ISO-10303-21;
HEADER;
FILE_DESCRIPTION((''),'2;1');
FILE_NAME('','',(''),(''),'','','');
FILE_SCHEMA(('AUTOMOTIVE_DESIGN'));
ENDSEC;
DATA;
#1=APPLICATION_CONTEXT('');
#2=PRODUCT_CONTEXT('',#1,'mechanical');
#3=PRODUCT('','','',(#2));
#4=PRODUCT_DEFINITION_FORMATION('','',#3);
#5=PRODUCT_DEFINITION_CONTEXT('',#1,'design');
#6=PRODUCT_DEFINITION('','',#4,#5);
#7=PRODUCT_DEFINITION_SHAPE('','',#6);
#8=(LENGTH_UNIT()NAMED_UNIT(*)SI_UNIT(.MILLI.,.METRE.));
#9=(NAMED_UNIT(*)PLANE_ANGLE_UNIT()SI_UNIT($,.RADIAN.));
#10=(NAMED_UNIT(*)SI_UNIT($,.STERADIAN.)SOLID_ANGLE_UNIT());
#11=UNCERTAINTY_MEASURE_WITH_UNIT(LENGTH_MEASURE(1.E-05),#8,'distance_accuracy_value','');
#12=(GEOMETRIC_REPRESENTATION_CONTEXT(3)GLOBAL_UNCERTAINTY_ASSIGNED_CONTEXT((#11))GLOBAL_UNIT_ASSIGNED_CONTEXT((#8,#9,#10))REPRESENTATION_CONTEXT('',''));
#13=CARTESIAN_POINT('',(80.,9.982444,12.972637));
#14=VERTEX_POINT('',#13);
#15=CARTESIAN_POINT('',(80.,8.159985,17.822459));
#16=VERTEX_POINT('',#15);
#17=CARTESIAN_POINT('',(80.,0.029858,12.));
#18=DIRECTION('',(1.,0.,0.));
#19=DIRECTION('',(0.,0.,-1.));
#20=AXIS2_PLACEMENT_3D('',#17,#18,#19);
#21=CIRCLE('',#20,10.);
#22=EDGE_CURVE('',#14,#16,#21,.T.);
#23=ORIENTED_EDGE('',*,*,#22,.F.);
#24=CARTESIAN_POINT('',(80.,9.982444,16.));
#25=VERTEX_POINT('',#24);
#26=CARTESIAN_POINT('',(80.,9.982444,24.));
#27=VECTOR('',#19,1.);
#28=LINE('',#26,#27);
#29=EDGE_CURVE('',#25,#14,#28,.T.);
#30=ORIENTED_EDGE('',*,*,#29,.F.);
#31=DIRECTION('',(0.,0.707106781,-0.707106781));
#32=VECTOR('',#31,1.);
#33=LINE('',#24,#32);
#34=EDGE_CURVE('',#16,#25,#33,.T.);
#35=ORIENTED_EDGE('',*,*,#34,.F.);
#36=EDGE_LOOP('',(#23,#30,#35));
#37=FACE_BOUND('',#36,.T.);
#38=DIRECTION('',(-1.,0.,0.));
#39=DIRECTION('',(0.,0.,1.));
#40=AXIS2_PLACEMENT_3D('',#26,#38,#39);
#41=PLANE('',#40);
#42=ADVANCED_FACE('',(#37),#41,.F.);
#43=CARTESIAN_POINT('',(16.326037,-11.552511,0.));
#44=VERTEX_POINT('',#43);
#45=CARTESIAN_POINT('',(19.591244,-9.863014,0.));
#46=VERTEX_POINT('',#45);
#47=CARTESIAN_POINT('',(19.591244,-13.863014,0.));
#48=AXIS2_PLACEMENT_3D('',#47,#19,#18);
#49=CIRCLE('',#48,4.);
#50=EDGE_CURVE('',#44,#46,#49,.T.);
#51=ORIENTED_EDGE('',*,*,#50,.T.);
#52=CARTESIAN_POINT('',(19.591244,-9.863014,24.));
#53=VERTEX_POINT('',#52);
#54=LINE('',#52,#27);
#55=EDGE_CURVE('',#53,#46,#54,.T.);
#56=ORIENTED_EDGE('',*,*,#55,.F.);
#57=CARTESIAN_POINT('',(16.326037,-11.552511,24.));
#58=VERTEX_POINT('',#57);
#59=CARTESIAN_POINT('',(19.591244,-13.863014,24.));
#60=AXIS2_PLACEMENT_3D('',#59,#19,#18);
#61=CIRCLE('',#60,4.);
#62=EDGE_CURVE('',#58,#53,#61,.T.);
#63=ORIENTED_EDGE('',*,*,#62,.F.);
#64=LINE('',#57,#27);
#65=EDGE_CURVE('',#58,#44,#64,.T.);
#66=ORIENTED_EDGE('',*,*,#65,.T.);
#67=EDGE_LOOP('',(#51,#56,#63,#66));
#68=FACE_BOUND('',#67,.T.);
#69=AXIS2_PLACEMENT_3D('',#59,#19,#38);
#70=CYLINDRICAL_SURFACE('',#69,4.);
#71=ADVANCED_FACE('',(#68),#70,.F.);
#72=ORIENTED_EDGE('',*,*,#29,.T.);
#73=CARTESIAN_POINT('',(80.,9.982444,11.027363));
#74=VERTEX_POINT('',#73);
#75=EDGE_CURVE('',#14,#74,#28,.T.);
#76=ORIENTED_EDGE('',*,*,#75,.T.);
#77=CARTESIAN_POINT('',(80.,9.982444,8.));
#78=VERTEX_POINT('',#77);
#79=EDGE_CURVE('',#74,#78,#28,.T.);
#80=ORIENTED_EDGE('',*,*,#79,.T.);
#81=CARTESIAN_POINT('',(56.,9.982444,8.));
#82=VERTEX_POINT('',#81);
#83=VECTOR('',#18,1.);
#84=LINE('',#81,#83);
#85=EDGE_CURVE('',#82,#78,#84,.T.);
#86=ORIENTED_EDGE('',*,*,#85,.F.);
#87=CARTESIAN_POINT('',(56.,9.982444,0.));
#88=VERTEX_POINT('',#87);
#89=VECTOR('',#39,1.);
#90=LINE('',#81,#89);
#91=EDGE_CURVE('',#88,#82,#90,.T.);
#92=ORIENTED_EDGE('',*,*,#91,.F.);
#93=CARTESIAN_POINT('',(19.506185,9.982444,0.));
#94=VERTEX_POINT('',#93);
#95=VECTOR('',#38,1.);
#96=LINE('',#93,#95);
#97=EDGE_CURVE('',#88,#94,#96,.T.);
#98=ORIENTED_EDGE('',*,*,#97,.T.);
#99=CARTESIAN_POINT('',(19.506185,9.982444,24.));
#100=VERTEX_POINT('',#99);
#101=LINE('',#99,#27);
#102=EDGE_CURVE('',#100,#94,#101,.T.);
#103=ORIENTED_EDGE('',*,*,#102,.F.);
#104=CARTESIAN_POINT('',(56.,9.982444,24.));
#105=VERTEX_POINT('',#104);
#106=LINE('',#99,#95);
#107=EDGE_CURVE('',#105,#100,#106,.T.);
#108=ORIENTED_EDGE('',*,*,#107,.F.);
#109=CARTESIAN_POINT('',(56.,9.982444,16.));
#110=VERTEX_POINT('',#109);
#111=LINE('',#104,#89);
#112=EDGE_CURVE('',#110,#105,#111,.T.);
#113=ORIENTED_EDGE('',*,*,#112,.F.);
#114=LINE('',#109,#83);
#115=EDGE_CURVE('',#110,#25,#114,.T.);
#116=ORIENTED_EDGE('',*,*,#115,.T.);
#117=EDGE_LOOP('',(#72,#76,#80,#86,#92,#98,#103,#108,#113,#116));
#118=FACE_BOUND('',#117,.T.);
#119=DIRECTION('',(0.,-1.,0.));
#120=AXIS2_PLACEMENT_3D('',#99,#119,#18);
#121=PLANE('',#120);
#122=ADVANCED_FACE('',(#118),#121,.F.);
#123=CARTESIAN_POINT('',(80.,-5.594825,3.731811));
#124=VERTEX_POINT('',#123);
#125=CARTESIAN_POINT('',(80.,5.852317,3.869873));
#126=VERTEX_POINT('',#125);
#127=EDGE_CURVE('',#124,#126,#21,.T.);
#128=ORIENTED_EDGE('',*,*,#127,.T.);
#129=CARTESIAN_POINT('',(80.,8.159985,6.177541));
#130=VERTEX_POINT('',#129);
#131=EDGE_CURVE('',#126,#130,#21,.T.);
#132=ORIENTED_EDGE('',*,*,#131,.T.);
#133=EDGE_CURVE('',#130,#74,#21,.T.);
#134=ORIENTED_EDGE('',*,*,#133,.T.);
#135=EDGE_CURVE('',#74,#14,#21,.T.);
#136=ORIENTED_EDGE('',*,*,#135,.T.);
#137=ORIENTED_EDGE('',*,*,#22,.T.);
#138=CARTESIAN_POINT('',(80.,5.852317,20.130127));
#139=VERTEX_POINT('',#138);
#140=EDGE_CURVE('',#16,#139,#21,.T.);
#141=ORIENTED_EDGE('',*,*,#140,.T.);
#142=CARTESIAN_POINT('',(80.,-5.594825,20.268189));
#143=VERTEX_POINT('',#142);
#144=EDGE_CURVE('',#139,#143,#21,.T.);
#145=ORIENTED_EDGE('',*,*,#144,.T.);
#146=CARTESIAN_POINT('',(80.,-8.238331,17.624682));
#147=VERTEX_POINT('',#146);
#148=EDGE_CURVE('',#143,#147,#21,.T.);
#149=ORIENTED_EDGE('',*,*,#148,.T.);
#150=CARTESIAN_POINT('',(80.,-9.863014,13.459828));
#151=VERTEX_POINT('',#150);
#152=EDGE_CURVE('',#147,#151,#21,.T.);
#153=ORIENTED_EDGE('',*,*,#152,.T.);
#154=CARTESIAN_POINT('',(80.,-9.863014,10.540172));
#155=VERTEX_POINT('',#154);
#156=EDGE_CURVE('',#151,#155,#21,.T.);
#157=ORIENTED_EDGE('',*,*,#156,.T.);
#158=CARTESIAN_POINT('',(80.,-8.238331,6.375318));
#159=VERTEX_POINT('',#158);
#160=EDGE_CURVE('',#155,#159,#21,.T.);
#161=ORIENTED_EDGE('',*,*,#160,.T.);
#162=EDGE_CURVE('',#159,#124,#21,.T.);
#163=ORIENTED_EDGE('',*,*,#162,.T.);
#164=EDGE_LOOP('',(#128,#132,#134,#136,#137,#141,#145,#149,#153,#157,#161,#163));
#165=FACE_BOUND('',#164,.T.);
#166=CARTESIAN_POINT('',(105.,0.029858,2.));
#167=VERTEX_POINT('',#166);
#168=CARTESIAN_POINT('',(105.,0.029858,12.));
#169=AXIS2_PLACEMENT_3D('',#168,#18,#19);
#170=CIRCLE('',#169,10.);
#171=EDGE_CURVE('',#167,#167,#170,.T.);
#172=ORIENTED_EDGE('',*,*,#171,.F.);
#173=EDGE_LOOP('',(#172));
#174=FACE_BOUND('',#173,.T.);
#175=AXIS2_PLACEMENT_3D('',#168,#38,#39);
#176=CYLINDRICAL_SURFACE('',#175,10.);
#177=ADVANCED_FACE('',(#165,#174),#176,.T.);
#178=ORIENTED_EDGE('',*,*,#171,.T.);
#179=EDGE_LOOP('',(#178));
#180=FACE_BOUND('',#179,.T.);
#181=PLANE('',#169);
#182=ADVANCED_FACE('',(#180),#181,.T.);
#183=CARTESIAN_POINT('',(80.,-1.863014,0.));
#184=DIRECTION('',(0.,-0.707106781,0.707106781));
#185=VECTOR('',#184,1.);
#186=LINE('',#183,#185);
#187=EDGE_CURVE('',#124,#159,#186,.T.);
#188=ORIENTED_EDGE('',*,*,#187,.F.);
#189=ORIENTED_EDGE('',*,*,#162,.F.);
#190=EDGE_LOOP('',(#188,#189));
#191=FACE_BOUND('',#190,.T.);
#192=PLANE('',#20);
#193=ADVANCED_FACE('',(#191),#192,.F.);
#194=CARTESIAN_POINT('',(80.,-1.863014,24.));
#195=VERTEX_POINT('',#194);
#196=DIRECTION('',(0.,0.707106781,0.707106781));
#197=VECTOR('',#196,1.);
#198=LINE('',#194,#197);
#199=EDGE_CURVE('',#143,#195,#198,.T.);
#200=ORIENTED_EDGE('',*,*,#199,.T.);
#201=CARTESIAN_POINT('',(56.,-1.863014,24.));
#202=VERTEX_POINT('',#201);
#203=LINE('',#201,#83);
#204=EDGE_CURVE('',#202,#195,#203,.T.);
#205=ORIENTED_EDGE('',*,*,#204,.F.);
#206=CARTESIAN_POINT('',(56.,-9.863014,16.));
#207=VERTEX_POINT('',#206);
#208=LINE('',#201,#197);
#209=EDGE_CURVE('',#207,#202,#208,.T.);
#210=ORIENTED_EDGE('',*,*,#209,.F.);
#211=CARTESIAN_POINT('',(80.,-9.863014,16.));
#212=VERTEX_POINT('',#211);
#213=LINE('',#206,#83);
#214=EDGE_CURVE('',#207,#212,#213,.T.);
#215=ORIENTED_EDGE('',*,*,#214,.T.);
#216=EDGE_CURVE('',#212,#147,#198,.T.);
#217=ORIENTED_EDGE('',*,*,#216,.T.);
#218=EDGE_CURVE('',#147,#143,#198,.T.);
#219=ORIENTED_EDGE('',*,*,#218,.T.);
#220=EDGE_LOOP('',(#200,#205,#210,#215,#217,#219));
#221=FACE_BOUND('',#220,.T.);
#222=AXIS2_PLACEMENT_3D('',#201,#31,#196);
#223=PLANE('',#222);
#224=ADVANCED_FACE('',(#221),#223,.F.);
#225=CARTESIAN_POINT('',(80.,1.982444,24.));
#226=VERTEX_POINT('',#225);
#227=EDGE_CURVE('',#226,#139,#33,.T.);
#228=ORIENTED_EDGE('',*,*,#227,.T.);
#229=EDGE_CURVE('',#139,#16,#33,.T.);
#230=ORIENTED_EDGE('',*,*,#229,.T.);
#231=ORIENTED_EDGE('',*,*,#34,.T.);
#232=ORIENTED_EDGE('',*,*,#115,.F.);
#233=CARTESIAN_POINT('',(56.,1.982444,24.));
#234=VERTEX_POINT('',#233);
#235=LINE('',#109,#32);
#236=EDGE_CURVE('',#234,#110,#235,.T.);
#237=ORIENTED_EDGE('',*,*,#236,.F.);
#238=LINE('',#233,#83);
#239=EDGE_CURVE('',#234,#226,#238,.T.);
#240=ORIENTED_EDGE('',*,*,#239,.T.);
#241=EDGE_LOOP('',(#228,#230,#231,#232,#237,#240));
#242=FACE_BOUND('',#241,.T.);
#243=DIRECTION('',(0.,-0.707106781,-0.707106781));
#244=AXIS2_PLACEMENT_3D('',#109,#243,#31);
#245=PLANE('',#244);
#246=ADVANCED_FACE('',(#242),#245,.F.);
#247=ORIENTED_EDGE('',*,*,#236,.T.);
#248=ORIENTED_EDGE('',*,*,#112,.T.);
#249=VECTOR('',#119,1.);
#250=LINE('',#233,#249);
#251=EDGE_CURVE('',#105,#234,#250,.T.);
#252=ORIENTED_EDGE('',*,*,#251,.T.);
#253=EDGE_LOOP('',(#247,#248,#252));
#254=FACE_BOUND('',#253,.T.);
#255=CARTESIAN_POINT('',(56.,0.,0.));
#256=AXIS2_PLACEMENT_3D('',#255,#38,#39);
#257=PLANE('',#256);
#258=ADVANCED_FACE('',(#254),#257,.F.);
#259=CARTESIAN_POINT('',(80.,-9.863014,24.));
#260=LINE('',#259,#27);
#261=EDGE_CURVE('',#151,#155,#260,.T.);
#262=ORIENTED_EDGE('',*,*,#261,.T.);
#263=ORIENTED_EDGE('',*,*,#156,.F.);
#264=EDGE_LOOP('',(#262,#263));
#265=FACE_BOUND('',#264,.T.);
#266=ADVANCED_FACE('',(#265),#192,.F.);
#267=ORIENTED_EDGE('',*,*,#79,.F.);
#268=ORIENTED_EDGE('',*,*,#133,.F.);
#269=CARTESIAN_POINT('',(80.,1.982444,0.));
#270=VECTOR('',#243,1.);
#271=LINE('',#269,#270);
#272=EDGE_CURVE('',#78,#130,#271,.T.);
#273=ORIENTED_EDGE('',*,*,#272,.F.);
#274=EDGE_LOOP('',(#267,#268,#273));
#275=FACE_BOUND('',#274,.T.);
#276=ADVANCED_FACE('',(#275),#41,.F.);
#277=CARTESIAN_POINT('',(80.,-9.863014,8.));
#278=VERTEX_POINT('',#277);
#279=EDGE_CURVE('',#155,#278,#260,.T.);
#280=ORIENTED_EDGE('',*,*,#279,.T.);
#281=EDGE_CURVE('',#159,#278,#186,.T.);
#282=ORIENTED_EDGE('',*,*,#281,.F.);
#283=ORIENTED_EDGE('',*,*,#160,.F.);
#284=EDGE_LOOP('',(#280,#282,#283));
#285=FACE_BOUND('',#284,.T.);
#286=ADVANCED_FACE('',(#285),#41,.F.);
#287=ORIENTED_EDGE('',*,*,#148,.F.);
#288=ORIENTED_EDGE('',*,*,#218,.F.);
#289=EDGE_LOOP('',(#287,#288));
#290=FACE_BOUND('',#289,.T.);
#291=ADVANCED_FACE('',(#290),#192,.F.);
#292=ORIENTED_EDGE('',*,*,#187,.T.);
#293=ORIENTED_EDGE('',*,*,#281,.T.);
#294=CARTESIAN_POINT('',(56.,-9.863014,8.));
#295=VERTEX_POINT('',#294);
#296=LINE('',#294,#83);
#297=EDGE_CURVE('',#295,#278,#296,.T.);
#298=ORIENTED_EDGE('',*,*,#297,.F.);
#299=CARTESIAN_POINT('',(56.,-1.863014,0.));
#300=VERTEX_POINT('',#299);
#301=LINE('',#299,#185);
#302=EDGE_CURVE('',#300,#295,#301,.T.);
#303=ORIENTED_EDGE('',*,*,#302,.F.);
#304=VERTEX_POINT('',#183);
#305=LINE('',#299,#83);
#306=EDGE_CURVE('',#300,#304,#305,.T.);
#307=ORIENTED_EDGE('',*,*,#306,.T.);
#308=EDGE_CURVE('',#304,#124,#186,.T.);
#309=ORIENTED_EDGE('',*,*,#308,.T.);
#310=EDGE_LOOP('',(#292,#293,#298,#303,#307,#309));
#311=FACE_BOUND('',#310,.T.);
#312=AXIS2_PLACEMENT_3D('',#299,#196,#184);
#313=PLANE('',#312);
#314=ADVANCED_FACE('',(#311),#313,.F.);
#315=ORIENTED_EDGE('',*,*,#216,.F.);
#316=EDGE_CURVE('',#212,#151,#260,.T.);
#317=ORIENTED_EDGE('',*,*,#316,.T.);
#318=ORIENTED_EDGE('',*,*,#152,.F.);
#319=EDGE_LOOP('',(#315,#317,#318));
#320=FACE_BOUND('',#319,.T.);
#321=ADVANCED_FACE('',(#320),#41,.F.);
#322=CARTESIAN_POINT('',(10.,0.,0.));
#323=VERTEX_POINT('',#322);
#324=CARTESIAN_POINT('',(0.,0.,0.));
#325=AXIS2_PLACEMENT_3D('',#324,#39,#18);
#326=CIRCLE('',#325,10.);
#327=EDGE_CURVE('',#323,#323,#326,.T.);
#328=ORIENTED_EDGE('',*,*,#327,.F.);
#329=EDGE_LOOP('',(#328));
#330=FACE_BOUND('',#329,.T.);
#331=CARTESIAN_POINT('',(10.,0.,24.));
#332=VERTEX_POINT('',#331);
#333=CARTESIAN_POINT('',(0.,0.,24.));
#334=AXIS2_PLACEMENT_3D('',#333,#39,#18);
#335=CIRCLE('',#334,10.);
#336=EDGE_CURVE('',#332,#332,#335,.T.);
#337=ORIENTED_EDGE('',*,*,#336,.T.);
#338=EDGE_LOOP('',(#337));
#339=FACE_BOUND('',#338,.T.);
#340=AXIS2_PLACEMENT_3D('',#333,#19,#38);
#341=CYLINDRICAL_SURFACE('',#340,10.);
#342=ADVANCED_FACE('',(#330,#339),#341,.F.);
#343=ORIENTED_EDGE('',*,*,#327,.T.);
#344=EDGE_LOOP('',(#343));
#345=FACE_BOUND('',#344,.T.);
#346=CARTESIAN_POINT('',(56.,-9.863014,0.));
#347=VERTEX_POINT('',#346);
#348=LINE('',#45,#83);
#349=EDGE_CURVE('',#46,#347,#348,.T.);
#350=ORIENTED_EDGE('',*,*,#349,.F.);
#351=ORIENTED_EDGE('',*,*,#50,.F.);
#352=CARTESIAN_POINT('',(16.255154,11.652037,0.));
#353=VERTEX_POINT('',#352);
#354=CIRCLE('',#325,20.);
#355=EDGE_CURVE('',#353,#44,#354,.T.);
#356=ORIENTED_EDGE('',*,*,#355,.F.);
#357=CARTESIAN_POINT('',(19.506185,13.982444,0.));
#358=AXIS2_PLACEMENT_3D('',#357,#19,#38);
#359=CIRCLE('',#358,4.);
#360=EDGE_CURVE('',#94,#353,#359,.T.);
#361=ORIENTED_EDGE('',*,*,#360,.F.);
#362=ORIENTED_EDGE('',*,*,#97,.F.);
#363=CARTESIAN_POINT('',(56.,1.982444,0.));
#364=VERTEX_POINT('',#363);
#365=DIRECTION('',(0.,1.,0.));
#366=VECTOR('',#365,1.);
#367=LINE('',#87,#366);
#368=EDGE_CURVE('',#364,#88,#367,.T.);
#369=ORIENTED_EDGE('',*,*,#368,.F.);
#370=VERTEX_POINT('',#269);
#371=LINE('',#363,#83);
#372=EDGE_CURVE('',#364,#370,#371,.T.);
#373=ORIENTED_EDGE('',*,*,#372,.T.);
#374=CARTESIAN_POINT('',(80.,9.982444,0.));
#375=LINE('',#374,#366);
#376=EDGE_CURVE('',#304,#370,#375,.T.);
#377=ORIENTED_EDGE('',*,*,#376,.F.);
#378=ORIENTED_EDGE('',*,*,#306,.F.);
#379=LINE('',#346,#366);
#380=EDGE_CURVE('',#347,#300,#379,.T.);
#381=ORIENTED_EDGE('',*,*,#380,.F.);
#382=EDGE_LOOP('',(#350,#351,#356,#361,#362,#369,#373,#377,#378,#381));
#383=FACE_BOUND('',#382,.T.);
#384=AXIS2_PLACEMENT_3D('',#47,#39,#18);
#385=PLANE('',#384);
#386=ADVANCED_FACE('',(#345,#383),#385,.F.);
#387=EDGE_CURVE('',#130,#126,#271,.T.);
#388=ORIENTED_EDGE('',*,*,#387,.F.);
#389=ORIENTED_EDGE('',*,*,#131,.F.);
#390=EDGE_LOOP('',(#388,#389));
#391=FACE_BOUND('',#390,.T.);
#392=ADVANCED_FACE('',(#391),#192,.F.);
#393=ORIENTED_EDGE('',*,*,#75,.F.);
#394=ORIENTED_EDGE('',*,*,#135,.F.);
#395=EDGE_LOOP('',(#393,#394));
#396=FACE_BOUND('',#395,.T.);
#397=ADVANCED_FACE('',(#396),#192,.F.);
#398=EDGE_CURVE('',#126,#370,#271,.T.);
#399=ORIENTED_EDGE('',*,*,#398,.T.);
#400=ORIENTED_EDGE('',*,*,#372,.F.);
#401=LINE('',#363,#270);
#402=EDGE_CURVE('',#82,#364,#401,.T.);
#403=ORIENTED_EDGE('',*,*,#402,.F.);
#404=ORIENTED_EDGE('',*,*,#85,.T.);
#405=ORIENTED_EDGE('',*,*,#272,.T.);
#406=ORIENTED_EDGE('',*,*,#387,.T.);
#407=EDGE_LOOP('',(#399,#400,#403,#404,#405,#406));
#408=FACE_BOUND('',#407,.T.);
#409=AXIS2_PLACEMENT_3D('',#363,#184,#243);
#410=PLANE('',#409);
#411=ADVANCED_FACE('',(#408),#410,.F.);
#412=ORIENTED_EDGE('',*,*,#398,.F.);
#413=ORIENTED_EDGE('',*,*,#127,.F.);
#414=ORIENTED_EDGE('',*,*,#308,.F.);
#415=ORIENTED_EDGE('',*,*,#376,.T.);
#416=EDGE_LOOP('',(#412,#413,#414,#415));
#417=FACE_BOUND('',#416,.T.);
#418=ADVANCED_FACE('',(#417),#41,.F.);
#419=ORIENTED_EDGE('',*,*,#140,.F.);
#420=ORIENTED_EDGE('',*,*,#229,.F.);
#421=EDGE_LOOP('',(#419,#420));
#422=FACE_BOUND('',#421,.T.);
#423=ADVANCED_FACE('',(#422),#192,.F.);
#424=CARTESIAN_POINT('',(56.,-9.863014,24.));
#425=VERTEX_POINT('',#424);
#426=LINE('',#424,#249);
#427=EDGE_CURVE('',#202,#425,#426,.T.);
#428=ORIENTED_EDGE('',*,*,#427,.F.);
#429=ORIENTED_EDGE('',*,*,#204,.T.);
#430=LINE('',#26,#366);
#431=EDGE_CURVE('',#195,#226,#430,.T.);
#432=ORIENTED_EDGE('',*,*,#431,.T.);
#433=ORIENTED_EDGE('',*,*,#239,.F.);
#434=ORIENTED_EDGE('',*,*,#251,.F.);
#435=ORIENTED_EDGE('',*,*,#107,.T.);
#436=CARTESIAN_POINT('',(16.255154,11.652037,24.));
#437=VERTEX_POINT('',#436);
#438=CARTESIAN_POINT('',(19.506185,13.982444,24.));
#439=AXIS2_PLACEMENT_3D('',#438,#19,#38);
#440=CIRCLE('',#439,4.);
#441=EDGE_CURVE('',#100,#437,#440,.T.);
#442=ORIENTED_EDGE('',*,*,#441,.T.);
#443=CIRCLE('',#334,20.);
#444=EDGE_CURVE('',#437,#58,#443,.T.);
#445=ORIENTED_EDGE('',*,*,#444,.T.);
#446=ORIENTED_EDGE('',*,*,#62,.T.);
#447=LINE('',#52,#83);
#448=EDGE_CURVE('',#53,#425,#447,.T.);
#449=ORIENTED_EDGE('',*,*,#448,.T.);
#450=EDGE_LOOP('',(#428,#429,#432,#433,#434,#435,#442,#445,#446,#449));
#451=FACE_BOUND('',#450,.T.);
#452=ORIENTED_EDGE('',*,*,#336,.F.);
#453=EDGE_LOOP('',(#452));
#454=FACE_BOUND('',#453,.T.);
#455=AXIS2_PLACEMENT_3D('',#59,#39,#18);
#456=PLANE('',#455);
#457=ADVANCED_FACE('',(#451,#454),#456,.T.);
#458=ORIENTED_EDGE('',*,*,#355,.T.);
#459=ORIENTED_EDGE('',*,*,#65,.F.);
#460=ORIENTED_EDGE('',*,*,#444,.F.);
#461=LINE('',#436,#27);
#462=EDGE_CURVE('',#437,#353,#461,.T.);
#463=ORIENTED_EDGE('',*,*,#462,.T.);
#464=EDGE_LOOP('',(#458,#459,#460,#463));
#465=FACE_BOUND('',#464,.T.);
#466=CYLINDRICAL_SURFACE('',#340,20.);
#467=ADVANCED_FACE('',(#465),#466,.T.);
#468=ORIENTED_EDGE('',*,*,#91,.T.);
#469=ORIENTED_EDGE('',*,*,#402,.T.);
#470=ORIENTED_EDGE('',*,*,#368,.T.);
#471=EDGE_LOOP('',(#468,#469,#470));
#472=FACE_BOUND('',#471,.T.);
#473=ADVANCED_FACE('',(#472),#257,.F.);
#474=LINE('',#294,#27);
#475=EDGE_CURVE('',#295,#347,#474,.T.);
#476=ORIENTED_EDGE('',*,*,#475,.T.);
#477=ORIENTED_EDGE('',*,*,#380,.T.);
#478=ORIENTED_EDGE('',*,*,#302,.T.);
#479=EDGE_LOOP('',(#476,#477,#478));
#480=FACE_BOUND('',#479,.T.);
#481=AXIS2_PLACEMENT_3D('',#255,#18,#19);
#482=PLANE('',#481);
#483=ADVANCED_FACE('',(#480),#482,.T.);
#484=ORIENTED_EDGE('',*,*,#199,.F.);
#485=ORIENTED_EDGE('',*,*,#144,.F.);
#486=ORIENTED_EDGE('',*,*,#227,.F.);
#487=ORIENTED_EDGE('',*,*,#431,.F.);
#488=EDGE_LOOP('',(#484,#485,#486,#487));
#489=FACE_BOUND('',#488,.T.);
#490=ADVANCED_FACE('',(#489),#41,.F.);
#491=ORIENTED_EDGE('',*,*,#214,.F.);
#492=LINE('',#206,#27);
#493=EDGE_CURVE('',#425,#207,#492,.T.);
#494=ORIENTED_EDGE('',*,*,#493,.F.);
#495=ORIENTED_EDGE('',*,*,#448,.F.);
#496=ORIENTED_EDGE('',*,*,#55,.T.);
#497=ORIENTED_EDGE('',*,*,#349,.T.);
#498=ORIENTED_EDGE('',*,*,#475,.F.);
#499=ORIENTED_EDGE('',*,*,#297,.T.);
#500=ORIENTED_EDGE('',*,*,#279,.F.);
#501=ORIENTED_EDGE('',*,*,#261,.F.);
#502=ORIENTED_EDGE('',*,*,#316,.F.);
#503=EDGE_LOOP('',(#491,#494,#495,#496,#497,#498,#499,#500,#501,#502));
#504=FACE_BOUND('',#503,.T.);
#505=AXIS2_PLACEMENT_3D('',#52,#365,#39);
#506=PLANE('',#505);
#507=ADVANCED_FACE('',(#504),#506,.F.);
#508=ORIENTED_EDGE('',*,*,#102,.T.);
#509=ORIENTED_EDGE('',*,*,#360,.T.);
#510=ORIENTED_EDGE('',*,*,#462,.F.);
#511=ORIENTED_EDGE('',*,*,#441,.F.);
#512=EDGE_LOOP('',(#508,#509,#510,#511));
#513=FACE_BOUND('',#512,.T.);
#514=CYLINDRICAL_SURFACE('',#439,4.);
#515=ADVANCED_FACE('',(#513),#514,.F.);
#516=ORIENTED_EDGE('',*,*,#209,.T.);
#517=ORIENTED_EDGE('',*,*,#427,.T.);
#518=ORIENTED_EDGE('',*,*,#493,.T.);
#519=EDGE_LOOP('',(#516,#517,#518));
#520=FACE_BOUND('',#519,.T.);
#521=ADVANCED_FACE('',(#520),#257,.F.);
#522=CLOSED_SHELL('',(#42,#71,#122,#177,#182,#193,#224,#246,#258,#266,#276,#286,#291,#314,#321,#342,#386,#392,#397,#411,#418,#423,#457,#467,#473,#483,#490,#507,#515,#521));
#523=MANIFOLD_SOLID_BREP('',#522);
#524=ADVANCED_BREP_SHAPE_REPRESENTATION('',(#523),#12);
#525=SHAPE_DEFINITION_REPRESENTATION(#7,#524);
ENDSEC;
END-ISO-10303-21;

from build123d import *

# Parameters (mm, degrees)
SKETCH1_R           = 10
BOSS_EXTRUDE4_DEPTH = 24
CUT_EXTRUDE1_DEPTH  = 24
SKETCH8_R           = 10
BOSS_EXTRUDE5_DEPTH = 25


with BuildPart() as part:
    # Sketch1 → Boss-Extrude4 (new body)
    with BuildSketch(Plane.XY):
        with BuildLine():
            Line((19.506185094, 9.982444102), (80, 9.982444102))
            Line((80, 9.982444102), (80, -9.863013699))
            Line((80, -9.863013699), (19.591244248, -9.863013699))
            ThreePointArc((19.591244248, -9.863013699), (17.753039843, -10.310408378), (16.326036873, -11.552511416))
            ThreePointArc((16.326036873, -11.552511416), (-19.99990669, -0.061093452), (16.255154245, 11.652036752))
            ThreePointArc((16.255154245, 11.652036752), (17.678841312, 10.424240243), (19.506185094, 9.982444102))
        make_face()
        Circle(SKETCH1_R, mode=Mode.SUBTRACT)
    extrude(amount=BOSS_EXTRUDE4_DEPTH)

    # Sketch7 → Cut-Extrude1 (cut)
    with BuildSketch(Plane(origin=(80, 0, 0), x_dir=(0, 0, -1), z_dir=(1, 0, 0))):
        Polygon((-8, 9.982444102), (0, 9.982444102), (0, 1.982444102), align=None)
        Polygon((-24, 9.982444102), (-16, 9.982444102), (-24, 1.982444102), align=None)
        Polygon((-24, -9.863013699), (-24, -1.863013699), (-16, -9.863013699), align=None)
        Polygon((0, -9.863013699), (0, -1.863013699), (-8, -9.863013699), align=None)
    extrude(amount=-CUT_EXTRUDE1_DEPTH, mode=Mode.SUBTRACT)

    # Sketch8 → Boss-Extrude5 (add)
    with BuildSketch(Plane(origin=(80, 0, 0), x_dir=(0, 0, -1), z_dir=(1, 0, 0))):
        with Locations(Location((-12, 0.029857601, 0), (0, 0, 214.226665148))):
            Circle(SKETCH8_R)
    extrude(amount=BOSS_EXTRUDE5_DEPTH)


solid = part.part
